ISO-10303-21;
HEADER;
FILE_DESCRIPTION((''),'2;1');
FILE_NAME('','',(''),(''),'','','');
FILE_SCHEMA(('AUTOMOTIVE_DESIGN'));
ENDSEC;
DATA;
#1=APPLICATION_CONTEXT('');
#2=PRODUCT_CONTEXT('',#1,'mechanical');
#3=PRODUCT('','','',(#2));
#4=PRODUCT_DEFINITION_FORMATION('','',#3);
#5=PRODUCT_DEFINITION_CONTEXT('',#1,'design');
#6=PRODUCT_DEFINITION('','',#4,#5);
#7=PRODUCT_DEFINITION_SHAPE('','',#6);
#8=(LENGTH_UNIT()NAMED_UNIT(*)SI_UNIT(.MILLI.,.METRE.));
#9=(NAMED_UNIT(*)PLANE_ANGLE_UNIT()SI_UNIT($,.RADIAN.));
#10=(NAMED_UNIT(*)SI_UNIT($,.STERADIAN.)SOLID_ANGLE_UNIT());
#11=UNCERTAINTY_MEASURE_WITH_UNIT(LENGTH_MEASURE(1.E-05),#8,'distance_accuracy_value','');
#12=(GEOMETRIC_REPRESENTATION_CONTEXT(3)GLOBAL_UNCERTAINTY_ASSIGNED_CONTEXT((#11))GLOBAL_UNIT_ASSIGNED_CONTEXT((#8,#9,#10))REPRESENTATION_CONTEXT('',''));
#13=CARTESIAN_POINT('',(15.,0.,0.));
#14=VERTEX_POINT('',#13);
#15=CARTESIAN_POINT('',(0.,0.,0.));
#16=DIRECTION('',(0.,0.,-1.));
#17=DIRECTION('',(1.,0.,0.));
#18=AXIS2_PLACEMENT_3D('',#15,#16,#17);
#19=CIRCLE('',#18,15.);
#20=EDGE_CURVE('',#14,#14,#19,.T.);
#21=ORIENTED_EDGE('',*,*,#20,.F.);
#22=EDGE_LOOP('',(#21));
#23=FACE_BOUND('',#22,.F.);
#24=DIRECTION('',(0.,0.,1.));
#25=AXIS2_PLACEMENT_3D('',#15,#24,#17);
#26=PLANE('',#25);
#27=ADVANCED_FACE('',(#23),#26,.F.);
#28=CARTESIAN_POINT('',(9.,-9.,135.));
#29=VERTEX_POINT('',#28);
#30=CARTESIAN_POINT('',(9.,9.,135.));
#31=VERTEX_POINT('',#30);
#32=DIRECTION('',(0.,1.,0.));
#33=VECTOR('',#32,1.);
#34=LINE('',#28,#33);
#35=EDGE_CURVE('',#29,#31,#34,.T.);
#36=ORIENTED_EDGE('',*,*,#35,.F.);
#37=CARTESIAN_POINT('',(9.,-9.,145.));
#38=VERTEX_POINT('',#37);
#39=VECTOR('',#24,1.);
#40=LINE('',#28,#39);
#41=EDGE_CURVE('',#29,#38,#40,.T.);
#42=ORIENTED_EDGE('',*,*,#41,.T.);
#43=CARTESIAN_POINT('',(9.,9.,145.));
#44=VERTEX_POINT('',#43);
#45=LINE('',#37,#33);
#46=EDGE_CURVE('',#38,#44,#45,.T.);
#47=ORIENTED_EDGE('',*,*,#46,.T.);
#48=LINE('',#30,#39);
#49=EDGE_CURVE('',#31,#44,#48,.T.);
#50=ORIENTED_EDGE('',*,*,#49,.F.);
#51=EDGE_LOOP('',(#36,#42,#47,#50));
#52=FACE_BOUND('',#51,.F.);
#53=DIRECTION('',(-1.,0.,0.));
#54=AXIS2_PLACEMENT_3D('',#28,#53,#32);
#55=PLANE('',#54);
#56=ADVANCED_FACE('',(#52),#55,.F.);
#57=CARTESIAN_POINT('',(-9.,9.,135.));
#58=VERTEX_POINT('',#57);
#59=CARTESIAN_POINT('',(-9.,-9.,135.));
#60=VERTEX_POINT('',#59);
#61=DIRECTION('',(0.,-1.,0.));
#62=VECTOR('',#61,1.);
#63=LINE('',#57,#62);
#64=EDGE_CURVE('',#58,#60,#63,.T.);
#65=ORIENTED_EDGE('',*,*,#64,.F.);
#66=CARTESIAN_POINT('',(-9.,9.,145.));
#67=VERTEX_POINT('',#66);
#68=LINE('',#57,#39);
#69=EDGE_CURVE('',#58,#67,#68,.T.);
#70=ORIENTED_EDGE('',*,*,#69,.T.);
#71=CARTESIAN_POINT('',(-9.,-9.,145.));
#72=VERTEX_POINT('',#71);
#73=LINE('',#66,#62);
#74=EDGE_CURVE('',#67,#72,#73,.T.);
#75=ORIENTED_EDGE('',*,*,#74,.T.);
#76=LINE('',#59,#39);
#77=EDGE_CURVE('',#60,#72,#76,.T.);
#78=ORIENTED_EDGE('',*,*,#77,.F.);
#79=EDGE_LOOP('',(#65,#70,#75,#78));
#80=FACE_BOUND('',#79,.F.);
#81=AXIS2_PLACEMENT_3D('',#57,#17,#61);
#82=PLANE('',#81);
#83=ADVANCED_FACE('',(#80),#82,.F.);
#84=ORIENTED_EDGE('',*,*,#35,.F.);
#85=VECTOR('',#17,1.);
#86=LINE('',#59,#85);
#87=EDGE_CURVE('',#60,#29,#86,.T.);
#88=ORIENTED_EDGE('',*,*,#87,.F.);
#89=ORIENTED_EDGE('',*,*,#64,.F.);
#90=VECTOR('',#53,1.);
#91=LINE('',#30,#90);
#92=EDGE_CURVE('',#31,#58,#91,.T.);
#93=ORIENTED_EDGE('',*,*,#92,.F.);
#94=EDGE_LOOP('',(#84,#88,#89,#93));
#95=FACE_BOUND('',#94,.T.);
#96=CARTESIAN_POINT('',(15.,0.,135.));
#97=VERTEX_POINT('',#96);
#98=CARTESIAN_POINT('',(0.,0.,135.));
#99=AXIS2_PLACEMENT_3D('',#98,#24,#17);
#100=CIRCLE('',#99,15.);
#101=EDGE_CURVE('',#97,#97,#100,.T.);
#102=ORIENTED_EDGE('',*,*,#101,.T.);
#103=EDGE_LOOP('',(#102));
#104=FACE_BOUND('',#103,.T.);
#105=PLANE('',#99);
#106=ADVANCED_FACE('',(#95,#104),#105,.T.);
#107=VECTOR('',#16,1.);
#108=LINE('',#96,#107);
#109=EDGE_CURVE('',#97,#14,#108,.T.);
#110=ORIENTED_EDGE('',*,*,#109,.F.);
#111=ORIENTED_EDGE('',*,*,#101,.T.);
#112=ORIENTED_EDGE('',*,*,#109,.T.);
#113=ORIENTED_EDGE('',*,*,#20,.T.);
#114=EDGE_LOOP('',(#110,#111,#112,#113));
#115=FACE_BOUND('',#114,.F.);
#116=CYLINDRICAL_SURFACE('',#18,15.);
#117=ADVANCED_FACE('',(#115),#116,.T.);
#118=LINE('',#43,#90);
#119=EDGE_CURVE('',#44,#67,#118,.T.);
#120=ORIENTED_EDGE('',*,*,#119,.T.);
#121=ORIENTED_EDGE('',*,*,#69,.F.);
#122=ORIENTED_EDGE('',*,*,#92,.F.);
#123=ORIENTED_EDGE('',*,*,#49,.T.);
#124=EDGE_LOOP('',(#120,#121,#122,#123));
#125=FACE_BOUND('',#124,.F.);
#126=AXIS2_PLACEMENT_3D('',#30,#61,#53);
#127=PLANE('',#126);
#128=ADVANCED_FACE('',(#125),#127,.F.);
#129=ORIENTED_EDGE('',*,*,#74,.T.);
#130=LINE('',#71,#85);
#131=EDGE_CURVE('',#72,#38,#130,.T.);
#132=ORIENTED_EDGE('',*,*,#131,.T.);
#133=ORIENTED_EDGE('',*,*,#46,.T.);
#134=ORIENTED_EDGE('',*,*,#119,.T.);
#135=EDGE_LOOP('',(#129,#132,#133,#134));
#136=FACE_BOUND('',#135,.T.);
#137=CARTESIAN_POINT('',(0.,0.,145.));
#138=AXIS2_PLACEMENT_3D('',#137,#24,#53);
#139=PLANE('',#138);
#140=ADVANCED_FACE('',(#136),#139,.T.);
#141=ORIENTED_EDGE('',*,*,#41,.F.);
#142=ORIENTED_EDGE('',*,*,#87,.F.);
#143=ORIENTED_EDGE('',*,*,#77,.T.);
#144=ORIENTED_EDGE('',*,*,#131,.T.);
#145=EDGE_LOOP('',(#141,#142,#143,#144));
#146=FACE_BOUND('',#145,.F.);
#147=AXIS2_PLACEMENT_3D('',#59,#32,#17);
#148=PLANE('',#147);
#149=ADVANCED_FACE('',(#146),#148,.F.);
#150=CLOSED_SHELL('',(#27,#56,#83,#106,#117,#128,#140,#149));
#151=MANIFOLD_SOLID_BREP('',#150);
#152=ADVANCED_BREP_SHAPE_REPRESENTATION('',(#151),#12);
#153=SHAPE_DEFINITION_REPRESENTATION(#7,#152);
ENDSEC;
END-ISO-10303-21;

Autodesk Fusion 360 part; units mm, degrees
sketch "Sketch1" plane through (0, 0, 0) normal (1, 0, 0) x (0, 1, 0)
sketch "Sketch2" plane through (0, 0, 0) normal (0, 0, 1) x (1, 0, 0)
  circle A0 centre (0, 0) radius 15
  dimension "d1" = 30
extrude "Extrude1" add sketch "Sketch2" along normal blind 135
sketch "Sketch3" plane through (0, 0, 135) normal (0, 0, 1) x (-1, 0, 0)
  circle A0 centre (0, 0) radius 15
  line L0 (9, 9) -> (-9, 9)
  line L1 (-9, 9) -> (-9, -9)
  line L2 (-9, -9) -> (9, -9)
  line L3 (9, -9) -> (9, 9)
  line L4 (9, 9) -> (-9, -9) construction
  line L5 (-9, 9) -> (9, -9) construction
  dimension "d4" = 18
  dimension "d5" = 18
extrude "Extrude2" add sketch "Sketch3" along normal blind 10 contours L0 L1 L2 L3
fillet "Fillet1" radius 5 1 edges at (-13.9849, -5.4242, 0)
delete_face "DeleteFace1" 1 faces at (14.8356, -1.4845, 4.0537)
